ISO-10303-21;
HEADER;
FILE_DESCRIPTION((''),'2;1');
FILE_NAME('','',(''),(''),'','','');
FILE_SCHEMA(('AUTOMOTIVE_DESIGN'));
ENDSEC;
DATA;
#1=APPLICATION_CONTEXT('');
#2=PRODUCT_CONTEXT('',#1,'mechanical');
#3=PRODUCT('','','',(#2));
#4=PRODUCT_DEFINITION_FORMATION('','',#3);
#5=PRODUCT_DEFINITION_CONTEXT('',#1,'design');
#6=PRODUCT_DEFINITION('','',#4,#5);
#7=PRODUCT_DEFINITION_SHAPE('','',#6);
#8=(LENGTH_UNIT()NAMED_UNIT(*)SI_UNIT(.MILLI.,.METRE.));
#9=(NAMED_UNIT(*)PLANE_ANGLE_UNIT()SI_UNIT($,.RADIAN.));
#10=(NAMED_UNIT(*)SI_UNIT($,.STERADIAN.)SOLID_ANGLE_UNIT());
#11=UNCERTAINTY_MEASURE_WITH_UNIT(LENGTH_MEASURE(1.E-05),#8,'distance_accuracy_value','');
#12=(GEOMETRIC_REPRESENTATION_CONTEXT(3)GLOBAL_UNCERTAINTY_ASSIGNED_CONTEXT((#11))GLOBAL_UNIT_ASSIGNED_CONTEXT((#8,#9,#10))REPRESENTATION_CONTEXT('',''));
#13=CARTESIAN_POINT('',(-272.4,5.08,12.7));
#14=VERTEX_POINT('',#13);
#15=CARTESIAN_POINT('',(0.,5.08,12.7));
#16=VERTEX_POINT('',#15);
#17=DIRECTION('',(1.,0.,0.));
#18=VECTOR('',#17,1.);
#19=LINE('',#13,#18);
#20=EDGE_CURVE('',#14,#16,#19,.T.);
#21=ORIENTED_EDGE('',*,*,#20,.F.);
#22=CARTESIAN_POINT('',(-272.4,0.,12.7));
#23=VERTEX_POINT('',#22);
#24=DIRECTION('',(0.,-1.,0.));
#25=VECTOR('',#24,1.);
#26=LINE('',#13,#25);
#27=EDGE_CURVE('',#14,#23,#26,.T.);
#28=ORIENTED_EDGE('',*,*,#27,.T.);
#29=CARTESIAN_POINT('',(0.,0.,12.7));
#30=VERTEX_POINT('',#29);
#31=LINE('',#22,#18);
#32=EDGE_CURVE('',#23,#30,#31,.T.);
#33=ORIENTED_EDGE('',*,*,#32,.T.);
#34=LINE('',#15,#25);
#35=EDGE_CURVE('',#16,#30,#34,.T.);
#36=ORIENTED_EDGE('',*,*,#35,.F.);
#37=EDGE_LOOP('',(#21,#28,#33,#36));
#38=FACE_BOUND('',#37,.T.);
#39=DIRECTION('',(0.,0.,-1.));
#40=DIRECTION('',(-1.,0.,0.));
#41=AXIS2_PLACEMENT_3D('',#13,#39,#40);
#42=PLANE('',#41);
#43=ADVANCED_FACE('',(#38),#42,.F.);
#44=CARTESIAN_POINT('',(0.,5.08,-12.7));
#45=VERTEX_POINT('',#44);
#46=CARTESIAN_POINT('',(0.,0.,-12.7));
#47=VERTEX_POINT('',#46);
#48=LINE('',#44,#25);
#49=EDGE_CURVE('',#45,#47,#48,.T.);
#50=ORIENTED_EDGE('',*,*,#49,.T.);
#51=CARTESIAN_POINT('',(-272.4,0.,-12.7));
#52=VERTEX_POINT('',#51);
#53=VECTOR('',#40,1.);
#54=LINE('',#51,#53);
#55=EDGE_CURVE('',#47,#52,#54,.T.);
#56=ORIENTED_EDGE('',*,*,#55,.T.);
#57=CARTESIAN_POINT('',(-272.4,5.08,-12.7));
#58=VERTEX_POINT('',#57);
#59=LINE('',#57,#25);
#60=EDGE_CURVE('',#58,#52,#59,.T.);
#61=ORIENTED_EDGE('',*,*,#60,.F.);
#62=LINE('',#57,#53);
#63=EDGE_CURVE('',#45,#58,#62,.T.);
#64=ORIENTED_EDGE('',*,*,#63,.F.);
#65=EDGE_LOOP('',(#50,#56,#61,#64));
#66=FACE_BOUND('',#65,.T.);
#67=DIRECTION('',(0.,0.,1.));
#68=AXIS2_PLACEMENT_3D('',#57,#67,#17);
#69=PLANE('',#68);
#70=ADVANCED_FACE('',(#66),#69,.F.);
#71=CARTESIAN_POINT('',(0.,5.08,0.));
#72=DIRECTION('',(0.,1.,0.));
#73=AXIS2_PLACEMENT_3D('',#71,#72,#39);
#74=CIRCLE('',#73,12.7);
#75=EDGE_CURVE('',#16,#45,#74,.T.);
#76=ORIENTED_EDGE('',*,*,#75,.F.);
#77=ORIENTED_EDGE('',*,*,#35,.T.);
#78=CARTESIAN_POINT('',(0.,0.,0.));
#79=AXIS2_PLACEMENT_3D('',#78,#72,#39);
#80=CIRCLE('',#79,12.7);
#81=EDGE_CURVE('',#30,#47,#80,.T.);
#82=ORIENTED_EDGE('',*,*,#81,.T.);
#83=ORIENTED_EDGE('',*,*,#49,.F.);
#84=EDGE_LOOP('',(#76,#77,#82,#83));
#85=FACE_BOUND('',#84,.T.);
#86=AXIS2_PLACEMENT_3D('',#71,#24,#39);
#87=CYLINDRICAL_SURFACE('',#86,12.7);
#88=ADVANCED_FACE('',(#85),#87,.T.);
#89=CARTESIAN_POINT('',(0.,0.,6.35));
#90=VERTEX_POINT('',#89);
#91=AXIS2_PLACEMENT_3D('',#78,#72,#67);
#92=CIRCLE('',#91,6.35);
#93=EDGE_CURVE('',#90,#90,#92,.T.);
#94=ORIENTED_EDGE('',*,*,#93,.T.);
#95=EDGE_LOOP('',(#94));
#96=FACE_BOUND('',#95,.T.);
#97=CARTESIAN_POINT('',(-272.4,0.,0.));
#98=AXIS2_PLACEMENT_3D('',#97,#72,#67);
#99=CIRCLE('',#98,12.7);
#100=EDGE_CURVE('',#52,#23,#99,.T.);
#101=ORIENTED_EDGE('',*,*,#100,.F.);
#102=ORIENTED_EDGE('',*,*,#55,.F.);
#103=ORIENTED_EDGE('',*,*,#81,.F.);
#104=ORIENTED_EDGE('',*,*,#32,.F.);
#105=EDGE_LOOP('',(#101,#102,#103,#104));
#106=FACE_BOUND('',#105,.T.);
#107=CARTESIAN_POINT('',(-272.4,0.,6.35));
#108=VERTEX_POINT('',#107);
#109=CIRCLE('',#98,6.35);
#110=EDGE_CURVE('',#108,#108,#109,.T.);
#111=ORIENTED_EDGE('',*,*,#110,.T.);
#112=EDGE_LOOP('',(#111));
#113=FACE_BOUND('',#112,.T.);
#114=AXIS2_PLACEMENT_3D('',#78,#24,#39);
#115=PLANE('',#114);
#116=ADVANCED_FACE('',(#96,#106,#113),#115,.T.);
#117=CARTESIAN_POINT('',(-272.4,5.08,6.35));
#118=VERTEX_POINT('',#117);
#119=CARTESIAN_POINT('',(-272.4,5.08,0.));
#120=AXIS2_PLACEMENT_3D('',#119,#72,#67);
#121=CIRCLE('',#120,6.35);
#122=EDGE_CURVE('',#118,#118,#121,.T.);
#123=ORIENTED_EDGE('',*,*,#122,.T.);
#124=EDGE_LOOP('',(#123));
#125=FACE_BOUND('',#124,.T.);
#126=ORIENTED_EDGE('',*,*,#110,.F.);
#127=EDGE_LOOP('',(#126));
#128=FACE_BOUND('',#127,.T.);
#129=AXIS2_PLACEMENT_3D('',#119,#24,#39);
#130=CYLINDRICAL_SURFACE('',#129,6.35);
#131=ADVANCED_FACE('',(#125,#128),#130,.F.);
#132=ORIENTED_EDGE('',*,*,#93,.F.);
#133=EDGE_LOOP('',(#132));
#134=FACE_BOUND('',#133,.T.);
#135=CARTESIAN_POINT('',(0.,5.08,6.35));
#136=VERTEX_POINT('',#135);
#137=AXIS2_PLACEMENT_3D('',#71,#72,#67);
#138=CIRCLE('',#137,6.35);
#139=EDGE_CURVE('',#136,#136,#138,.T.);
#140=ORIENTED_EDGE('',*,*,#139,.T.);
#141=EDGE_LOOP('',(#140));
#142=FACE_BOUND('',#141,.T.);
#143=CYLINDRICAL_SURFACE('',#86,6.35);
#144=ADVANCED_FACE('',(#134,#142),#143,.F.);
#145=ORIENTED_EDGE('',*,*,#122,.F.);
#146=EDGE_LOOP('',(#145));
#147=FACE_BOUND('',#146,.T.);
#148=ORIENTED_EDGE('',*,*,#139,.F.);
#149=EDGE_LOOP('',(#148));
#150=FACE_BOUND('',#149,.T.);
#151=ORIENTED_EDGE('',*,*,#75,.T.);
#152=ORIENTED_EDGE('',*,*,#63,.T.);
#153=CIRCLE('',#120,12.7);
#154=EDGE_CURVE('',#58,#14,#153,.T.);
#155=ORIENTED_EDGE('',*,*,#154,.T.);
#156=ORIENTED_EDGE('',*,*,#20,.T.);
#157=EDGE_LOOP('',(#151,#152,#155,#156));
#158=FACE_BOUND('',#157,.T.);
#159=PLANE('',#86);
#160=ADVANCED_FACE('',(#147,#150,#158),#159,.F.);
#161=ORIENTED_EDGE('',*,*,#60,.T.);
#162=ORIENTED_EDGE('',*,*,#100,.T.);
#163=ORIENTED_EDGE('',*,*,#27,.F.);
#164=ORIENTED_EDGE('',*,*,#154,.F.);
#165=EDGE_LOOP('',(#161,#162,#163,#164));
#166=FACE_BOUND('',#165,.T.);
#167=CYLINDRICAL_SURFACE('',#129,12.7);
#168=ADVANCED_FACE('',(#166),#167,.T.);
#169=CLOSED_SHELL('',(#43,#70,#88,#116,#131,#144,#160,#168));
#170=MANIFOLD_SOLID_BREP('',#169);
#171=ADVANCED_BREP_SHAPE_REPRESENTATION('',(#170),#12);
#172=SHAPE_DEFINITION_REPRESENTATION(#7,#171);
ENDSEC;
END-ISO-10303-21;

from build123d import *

# Parameters (mm, degrees)
SKETCH2_R           = 6.35
BOSS_EXTRUDE1_DEPTH = 5.08


with BuildPart() as part:
    # Sketch2 → Boss-Extrude1 (new body)
    with BuildSketch(Plane(origin=(0, 0, 0), x_dir=(1, 0, 0), z_dir=(0, 1, 0))):
        with BuildLine():
            Line((-272.4, -12.7), (0, -12.7))
            ThreePointArc((0, -12.7), (12.7, 0), (0, 12.7))
            Line((0, 12.7), (-272.4, 12.7))
            ThreePointArc((-272.4, 12.7), (-285.1, 0), (-272.4, -12.7))
        make_face()
        with Locations(Location((0, 0, 0), (0, 0, 270))):
            Circle(SKETCH2_R, mode=Mode.SUBTRACT)
        with Locations(Location((-272.4, 0, 0), (0, 0, 270))):
            Circle(SKETCH2_R, mode=Mode.SUBTRACT)
    extrude(amount=BOSS_EXTRUDE1_DEPTH)


solid = part.part
